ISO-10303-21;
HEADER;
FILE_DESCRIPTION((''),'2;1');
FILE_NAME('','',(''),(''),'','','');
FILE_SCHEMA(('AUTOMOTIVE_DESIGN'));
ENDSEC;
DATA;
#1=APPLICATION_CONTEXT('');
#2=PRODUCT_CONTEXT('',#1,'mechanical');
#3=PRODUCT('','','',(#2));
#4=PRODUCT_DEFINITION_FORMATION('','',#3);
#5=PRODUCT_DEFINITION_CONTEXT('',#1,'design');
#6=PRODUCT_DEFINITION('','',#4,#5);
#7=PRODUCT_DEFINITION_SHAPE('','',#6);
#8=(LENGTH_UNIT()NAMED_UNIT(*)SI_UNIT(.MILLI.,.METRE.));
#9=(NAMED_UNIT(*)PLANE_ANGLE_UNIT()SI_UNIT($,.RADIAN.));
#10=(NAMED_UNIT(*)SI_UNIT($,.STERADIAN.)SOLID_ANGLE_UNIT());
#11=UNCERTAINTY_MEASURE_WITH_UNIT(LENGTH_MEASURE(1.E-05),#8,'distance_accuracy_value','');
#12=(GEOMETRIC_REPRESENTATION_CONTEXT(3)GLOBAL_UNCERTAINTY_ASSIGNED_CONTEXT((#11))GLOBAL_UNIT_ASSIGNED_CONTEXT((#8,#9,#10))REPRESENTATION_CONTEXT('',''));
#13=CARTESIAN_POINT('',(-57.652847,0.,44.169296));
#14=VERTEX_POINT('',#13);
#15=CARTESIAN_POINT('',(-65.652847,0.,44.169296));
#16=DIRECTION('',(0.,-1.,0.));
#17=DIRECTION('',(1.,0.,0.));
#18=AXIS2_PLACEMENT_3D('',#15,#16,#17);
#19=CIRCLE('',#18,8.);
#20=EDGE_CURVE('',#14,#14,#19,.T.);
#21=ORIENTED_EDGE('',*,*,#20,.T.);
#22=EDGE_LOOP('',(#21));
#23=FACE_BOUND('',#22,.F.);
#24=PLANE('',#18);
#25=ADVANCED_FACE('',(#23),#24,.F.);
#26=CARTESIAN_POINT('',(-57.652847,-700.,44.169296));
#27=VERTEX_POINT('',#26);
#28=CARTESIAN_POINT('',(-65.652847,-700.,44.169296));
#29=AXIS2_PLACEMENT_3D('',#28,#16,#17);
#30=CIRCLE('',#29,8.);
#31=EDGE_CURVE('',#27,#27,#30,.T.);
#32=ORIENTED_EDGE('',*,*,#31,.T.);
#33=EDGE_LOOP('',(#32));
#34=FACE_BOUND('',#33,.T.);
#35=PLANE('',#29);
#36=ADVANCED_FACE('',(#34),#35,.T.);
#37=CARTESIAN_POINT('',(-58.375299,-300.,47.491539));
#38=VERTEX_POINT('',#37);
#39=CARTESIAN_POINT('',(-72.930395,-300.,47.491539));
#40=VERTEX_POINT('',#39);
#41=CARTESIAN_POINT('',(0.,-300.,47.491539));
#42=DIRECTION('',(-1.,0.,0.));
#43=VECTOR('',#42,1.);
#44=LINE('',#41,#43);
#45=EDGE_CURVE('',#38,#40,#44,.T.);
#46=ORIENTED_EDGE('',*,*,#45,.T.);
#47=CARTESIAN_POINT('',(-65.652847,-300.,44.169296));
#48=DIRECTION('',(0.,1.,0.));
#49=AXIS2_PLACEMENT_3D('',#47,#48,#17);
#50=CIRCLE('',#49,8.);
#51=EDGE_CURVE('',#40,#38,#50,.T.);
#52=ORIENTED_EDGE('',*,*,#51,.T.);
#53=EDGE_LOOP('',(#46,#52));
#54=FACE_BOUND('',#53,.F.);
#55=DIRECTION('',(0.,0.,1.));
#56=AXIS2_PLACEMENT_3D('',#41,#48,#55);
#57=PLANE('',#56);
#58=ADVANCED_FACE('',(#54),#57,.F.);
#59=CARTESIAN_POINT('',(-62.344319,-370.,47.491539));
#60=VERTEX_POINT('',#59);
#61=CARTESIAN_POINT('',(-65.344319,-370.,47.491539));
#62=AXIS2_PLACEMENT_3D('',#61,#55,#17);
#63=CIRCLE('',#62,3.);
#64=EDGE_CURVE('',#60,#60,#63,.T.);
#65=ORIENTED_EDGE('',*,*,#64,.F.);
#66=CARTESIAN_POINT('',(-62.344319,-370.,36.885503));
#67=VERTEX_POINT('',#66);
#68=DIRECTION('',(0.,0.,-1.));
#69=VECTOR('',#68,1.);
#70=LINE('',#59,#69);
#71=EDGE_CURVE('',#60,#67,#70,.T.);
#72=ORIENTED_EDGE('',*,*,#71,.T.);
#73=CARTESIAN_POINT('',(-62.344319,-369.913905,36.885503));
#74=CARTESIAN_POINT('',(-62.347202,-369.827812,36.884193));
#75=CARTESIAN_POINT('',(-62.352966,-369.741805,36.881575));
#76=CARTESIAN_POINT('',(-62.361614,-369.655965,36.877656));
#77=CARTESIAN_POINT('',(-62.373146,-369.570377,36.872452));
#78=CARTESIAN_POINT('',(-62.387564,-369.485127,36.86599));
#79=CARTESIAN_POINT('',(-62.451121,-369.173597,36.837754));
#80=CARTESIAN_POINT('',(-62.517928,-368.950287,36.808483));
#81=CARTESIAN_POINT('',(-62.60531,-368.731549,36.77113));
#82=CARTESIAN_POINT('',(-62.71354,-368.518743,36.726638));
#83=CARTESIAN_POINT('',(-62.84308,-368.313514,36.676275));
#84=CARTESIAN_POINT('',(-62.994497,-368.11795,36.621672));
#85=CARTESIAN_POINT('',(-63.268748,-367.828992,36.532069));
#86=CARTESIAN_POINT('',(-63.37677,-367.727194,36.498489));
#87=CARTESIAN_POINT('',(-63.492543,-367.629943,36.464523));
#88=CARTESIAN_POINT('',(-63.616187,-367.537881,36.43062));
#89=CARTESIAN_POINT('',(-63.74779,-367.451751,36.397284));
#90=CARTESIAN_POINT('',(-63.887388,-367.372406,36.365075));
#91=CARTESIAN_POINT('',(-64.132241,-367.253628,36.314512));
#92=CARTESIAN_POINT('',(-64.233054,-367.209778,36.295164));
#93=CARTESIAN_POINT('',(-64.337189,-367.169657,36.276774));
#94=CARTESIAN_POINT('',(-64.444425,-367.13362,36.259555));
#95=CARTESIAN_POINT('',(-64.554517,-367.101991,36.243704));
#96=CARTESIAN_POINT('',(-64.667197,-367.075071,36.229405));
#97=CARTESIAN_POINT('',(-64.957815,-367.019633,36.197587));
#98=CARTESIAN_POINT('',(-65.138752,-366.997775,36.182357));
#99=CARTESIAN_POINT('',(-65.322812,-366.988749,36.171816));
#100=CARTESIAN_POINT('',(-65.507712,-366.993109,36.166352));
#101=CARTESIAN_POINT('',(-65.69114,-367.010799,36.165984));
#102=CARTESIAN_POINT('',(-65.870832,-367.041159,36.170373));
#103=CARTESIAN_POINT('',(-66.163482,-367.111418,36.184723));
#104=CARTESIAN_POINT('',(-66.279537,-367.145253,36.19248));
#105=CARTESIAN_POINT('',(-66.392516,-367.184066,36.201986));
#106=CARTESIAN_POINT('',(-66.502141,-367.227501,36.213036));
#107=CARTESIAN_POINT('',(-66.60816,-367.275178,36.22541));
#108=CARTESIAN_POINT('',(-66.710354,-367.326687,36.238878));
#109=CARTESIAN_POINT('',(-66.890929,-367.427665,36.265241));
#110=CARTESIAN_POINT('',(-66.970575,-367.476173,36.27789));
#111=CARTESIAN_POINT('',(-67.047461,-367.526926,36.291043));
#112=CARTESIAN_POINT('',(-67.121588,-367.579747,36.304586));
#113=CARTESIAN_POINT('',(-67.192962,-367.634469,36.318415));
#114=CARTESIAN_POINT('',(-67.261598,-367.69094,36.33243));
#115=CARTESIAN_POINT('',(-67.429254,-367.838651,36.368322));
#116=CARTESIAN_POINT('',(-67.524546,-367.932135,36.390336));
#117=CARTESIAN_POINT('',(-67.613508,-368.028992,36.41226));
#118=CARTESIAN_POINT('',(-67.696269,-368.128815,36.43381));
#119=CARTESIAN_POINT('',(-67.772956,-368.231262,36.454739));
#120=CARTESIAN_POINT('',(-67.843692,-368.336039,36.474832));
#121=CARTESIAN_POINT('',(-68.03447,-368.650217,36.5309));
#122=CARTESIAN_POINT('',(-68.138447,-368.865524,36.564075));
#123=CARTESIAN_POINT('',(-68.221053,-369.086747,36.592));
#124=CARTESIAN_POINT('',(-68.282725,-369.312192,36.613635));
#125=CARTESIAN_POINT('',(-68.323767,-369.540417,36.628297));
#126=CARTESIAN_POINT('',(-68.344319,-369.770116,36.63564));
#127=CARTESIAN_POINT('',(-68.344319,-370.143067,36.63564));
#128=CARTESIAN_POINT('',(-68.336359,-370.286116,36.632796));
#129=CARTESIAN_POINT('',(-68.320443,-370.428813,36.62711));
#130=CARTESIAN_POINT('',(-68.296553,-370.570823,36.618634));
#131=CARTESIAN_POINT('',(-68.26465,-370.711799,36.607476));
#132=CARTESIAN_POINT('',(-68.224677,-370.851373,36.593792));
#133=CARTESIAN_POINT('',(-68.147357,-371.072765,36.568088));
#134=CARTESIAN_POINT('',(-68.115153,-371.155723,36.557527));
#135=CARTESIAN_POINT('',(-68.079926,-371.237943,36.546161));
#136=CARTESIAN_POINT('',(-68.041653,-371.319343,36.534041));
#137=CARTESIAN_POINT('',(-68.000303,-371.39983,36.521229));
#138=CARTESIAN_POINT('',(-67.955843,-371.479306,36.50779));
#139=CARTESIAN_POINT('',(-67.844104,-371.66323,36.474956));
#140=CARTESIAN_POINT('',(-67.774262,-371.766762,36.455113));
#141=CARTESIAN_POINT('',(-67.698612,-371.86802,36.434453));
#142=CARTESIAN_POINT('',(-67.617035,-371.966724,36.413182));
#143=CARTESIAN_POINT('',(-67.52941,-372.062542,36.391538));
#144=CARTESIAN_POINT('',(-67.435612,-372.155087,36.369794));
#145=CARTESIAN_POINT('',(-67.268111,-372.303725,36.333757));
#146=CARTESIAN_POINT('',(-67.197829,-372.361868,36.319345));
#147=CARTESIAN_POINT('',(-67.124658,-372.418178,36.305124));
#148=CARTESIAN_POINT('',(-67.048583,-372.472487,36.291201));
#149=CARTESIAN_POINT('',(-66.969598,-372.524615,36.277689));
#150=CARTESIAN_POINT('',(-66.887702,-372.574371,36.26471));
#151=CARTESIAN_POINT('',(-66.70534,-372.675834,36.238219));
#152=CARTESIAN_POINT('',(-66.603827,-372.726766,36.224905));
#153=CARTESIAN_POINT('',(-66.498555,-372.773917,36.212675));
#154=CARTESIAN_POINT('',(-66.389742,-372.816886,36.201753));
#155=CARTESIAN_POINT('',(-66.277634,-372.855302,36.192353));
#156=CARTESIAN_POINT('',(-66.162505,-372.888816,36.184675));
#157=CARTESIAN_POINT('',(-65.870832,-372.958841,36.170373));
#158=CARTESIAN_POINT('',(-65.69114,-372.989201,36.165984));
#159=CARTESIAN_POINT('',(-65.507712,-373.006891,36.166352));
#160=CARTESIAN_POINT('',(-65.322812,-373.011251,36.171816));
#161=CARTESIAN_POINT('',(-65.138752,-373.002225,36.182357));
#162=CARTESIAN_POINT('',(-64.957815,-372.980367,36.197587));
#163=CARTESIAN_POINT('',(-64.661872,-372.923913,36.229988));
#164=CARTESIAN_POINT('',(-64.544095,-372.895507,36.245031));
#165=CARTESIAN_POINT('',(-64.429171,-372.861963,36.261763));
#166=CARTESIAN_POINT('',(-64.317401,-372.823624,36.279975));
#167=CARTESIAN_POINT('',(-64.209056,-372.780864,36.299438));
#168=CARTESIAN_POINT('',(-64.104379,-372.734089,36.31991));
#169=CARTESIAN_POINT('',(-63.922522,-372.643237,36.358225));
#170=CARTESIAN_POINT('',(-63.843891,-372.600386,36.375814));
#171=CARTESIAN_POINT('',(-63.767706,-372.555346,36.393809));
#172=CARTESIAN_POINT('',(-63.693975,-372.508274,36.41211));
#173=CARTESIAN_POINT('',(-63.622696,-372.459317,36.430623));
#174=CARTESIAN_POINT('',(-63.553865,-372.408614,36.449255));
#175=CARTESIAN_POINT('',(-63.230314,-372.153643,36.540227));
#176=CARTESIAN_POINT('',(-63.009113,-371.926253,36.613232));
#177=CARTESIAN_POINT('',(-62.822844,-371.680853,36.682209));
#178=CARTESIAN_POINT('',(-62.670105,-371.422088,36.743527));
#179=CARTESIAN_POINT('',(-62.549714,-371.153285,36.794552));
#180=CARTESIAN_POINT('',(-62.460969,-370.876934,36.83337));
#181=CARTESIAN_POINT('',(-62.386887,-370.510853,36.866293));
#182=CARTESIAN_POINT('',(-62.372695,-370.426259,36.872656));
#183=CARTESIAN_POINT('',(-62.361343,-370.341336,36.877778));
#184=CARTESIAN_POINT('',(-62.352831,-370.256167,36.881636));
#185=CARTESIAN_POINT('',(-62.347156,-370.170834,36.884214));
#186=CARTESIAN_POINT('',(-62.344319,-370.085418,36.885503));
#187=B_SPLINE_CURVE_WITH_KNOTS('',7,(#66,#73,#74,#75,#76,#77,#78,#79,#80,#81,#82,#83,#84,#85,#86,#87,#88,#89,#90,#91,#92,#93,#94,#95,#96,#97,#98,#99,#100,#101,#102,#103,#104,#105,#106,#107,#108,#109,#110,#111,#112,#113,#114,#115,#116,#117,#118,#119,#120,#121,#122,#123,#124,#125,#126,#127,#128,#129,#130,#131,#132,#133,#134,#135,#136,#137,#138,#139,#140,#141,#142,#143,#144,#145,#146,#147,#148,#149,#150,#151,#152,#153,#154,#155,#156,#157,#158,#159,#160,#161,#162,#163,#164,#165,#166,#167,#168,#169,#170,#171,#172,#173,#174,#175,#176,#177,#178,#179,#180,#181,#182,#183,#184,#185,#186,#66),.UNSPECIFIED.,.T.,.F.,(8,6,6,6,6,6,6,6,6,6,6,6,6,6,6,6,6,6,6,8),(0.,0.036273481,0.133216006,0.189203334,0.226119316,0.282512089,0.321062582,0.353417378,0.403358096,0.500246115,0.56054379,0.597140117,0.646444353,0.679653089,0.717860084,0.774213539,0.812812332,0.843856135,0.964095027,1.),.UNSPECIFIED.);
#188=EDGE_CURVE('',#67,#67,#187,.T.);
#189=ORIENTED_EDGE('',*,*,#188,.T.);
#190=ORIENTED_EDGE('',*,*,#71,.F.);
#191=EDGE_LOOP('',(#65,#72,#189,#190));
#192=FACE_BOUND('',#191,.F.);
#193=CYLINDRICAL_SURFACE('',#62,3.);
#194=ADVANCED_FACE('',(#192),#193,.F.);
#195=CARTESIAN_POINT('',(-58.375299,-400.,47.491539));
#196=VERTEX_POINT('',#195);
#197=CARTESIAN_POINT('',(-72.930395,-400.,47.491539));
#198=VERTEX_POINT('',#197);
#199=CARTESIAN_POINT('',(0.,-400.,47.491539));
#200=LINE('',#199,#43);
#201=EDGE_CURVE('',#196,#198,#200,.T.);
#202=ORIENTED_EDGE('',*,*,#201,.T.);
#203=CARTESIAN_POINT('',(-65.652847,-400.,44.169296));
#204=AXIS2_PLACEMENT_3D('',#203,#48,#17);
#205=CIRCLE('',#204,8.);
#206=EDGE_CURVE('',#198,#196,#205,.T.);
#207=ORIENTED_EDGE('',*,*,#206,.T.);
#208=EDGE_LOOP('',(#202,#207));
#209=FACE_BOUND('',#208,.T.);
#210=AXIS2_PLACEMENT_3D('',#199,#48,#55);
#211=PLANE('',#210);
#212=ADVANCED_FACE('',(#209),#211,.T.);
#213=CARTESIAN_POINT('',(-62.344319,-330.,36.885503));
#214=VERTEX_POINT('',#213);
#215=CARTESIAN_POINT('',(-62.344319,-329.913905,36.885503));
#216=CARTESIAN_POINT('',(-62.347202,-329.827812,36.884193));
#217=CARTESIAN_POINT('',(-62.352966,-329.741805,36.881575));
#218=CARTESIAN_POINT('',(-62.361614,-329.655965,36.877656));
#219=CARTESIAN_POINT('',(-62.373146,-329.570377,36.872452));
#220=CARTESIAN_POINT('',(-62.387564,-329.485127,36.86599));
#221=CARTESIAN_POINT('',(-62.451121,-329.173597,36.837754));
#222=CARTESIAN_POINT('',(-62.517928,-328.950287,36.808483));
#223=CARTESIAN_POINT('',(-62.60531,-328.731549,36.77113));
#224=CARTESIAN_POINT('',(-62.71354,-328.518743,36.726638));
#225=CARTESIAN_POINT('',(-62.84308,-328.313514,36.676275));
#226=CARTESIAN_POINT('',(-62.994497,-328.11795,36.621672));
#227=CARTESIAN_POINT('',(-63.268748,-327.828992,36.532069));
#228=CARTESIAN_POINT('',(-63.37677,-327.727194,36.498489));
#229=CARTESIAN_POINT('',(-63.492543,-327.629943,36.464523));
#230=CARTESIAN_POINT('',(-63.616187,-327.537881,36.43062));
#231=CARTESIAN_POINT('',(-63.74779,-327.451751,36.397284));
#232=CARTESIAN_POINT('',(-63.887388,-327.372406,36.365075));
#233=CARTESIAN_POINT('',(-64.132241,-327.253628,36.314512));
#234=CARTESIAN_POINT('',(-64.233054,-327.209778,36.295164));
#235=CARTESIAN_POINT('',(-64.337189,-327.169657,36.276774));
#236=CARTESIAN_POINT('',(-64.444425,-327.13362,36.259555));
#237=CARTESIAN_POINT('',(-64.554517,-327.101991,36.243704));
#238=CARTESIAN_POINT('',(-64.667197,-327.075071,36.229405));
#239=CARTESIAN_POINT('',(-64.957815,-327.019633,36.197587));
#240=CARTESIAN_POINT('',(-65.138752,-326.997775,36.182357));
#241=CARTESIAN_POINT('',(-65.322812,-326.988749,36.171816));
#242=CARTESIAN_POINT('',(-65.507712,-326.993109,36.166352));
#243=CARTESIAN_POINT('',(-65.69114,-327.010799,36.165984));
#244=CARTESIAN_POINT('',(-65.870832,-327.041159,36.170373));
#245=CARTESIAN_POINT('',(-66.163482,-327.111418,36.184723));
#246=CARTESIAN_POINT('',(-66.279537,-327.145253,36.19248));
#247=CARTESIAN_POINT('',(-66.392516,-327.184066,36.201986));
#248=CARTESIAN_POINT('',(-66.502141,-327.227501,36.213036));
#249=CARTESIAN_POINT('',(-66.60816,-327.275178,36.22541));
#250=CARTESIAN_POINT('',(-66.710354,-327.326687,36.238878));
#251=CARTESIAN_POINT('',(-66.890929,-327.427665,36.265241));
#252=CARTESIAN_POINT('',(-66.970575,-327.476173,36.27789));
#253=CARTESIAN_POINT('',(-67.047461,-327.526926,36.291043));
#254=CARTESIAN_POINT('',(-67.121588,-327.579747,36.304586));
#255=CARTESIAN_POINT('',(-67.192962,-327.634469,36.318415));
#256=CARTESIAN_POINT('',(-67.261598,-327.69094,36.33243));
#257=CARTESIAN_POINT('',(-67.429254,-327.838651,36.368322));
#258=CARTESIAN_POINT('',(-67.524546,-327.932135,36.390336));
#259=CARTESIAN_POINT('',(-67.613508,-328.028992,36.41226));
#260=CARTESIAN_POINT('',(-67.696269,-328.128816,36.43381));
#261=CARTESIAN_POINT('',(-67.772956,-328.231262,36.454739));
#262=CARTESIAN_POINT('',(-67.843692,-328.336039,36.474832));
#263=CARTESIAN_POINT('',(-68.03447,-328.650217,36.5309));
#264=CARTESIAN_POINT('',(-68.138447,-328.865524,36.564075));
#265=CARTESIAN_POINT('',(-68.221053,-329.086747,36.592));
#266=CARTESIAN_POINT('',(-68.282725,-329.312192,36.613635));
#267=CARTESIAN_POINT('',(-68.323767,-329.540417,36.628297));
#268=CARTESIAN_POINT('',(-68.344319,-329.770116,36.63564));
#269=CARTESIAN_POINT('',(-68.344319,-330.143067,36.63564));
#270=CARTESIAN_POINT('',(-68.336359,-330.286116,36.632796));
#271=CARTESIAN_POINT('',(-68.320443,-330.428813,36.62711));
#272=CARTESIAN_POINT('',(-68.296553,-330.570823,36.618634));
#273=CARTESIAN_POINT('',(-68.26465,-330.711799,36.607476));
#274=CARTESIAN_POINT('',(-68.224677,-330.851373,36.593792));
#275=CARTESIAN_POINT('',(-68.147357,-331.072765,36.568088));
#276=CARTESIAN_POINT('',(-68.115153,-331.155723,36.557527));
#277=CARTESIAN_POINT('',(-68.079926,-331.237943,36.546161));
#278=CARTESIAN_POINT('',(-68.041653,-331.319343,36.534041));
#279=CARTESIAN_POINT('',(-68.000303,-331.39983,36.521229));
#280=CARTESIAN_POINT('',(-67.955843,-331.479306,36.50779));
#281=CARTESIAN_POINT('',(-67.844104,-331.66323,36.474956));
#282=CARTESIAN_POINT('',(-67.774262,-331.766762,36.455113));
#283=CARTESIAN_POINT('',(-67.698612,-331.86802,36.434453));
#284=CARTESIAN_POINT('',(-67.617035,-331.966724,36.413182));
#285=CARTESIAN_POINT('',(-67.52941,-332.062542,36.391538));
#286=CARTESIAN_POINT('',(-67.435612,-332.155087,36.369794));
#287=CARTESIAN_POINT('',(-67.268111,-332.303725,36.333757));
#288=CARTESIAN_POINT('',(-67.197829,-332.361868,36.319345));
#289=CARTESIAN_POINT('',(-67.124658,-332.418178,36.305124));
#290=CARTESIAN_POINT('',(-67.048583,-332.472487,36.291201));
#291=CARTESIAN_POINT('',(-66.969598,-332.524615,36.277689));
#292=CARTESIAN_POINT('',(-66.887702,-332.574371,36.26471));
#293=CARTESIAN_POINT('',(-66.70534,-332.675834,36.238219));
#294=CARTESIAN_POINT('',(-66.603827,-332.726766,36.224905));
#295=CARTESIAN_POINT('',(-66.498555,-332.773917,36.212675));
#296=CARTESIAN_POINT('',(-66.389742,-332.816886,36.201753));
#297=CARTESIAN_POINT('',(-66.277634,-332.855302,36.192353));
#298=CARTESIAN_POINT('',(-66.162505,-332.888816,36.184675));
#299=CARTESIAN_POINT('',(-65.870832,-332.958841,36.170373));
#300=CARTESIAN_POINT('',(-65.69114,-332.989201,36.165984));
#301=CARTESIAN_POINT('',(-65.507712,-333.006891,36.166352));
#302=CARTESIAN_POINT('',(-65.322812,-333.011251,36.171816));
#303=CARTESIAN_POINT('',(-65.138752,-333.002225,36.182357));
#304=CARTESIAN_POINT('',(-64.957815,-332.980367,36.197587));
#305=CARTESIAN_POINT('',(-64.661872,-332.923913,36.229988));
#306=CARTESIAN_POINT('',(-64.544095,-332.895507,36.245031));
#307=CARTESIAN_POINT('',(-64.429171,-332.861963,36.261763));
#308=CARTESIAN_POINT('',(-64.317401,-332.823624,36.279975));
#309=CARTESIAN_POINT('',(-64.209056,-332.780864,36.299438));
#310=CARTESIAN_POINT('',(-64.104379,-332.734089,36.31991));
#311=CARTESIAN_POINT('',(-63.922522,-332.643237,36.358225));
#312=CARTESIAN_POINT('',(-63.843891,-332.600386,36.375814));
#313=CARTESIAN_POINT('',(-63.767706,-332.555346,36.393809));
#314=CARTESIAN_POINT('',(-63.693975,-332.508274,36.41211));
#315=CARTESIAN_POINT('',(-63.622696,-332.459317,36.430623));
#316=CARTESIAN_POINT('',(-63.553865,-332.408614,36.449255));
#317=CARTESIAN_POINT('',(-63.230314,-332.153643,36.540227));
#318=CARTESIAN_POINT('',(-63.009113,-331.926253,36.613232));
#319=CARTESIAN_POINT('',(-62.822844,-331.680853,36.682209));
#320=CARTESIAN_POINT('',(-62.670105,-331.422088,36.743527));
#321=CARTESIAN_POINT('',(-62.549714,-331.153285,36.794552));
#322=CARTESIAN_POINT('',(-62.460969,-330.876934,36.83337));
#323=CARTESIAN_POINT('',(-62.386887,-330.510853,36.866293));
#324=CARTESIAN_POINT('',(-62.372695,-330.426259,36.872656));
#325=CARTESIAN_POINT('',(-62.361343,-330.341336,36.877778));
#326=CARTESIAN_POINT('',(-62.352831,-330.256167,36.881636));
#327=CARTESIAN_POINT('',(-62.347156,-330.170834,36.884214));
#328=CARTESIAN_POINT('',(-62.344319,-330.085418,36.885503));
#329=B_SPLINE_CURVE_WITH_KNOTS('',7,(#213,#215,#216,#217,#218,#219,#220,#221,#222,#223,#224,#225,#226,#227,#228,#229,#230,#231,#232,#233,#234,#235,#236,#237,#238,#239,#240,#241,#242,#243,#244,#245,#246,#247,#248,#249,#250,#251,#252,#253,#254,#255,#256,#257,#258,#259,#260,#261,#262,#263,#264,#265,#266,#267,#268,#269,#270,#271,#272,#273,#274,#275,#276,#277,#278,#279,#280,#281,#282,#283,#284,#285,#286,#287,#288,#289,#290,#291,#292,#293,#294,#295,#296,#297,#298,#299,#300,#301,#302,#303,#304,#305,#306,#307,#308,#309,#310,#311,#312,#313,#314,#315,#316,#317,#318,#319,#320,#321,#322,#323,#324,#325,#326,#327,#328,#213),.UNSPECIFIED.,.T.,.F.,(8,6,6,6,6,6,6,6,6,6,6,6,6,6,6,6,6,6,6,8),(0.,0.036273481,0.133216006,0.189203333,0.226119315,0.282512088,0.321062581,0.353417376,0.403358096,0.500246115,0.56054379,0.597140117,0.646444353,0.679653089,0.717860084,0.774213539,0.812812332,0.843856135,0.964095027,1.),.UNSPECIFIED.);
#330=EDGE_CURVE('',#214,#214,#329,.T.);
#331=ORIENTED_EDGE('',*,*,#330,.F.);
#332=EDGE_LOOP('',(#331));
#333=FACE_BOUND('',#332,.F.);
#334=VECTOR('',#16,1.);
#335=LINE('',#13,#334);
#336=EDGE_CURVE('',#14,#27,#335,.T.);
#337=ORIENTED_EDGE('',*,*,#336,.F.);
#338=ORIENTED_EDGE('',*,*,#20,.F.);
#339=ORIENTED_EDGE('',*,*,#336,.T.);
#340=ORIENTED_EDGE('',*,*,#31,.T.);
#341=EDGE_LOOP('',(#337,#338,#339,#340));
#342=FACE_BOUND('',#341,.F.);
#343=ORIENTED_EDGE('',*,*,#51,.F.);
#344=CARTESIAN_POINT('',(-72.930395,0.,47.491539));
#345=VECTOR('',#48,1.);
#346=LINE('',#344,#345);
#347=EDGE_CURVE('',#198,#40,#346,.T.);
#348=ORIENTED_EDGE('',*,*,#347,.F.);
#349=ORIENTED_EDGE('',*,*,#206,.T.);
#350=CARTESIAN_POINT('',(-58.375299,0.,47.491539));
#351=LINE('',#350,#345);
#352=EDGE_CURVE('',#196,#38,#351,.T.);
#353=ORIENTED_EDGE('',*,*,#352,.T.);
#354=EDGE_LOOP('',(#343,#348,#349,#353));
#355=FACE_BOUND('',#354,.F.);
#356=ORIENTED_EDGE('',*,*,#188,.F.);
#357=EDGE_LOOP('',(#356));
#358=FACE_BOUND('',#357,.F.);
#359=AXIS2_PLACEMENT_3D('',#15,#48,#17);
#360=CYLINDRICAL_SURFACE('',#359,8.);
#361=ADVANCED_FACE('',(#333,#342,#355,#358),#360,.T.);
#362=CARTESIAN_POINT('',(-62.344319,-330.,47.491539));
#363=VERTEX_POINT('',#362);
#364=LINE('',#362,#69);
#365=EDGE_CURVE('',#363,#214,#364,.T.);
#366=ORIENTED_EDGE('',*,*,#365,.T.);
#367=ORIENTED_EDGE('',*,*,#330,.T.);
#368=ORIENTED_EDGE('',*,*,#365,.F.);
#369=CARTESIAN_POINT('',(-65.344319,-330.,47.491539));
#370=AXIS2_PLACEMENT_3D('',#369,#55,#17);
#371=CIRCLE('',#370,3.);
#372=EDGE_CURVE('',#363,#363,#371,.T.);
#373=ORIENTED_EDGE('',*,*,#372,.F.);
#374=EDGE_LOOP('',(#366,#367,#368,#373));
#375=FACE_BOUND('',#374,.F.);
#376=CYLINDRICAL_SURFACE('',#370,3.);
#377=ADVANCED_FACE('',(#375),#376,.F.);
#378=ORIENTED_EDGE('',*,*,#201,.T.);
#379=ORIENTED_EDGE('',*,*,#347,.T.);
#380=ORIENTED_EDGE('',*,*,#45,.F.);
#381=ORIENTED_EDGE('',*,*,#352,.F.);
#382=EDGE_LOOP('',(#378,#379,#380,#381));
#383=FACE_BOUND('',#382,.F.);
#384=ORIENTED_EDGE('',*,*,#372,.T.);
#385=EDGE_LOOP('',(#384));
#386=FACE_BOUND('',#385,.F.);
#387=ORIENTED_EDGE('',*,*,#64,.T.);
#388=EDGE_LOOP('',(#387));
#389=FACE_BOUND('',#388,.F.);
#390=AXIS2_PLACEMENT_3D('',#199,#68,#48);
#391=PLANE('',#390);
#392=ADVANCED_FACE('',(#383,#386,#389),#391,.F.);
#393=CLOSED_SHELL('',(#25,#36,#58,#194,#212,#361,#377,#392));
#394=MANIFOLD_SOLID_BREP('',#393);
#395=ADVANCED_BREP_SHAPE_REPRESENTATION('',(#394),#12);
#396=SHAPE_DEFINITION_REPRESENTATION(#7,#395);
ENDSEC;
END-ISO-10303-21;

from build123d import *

# Parameters (mm, degrees)
F0_R     = 8
F1_DEPTH = 700
F2_W     = 100
F2_H     = 5
F3_DEPTH = 88
F4_R     = 3
F5_DEPTH = 15


with BuildPart() as f1:
    # F0 (on Front) → F1 (new body)
    with BuildSketch(Plane.XZ):
        with Locations((-65.652847, 44.169296)):
            Circle(F0_R)
    extrude(amount=F1_DEPTH)

    # F2 (on Right) → F3 (cut)
    with BuildSketch(Plane.YZ):
        with Locations((-350, 49.991539)):
            Rectangle(F2_W, F2_H)
    extrude(amount=-F3_DEPTH, mode=Mode.SUBTRACT)

    # F4 (on face) → F5 (cut)
    with BuildSketch(Plane.XY.offset(47.491539)):
        with Locations((-65.344319, -370)):
            Circle(F4_R)
        with Locations((-65.344319, -330)):
            Circle(F4_R)
    extrude(amount=-F5_DEPTH, mode=Mode.SUBTRACT)


solid = f1.part
